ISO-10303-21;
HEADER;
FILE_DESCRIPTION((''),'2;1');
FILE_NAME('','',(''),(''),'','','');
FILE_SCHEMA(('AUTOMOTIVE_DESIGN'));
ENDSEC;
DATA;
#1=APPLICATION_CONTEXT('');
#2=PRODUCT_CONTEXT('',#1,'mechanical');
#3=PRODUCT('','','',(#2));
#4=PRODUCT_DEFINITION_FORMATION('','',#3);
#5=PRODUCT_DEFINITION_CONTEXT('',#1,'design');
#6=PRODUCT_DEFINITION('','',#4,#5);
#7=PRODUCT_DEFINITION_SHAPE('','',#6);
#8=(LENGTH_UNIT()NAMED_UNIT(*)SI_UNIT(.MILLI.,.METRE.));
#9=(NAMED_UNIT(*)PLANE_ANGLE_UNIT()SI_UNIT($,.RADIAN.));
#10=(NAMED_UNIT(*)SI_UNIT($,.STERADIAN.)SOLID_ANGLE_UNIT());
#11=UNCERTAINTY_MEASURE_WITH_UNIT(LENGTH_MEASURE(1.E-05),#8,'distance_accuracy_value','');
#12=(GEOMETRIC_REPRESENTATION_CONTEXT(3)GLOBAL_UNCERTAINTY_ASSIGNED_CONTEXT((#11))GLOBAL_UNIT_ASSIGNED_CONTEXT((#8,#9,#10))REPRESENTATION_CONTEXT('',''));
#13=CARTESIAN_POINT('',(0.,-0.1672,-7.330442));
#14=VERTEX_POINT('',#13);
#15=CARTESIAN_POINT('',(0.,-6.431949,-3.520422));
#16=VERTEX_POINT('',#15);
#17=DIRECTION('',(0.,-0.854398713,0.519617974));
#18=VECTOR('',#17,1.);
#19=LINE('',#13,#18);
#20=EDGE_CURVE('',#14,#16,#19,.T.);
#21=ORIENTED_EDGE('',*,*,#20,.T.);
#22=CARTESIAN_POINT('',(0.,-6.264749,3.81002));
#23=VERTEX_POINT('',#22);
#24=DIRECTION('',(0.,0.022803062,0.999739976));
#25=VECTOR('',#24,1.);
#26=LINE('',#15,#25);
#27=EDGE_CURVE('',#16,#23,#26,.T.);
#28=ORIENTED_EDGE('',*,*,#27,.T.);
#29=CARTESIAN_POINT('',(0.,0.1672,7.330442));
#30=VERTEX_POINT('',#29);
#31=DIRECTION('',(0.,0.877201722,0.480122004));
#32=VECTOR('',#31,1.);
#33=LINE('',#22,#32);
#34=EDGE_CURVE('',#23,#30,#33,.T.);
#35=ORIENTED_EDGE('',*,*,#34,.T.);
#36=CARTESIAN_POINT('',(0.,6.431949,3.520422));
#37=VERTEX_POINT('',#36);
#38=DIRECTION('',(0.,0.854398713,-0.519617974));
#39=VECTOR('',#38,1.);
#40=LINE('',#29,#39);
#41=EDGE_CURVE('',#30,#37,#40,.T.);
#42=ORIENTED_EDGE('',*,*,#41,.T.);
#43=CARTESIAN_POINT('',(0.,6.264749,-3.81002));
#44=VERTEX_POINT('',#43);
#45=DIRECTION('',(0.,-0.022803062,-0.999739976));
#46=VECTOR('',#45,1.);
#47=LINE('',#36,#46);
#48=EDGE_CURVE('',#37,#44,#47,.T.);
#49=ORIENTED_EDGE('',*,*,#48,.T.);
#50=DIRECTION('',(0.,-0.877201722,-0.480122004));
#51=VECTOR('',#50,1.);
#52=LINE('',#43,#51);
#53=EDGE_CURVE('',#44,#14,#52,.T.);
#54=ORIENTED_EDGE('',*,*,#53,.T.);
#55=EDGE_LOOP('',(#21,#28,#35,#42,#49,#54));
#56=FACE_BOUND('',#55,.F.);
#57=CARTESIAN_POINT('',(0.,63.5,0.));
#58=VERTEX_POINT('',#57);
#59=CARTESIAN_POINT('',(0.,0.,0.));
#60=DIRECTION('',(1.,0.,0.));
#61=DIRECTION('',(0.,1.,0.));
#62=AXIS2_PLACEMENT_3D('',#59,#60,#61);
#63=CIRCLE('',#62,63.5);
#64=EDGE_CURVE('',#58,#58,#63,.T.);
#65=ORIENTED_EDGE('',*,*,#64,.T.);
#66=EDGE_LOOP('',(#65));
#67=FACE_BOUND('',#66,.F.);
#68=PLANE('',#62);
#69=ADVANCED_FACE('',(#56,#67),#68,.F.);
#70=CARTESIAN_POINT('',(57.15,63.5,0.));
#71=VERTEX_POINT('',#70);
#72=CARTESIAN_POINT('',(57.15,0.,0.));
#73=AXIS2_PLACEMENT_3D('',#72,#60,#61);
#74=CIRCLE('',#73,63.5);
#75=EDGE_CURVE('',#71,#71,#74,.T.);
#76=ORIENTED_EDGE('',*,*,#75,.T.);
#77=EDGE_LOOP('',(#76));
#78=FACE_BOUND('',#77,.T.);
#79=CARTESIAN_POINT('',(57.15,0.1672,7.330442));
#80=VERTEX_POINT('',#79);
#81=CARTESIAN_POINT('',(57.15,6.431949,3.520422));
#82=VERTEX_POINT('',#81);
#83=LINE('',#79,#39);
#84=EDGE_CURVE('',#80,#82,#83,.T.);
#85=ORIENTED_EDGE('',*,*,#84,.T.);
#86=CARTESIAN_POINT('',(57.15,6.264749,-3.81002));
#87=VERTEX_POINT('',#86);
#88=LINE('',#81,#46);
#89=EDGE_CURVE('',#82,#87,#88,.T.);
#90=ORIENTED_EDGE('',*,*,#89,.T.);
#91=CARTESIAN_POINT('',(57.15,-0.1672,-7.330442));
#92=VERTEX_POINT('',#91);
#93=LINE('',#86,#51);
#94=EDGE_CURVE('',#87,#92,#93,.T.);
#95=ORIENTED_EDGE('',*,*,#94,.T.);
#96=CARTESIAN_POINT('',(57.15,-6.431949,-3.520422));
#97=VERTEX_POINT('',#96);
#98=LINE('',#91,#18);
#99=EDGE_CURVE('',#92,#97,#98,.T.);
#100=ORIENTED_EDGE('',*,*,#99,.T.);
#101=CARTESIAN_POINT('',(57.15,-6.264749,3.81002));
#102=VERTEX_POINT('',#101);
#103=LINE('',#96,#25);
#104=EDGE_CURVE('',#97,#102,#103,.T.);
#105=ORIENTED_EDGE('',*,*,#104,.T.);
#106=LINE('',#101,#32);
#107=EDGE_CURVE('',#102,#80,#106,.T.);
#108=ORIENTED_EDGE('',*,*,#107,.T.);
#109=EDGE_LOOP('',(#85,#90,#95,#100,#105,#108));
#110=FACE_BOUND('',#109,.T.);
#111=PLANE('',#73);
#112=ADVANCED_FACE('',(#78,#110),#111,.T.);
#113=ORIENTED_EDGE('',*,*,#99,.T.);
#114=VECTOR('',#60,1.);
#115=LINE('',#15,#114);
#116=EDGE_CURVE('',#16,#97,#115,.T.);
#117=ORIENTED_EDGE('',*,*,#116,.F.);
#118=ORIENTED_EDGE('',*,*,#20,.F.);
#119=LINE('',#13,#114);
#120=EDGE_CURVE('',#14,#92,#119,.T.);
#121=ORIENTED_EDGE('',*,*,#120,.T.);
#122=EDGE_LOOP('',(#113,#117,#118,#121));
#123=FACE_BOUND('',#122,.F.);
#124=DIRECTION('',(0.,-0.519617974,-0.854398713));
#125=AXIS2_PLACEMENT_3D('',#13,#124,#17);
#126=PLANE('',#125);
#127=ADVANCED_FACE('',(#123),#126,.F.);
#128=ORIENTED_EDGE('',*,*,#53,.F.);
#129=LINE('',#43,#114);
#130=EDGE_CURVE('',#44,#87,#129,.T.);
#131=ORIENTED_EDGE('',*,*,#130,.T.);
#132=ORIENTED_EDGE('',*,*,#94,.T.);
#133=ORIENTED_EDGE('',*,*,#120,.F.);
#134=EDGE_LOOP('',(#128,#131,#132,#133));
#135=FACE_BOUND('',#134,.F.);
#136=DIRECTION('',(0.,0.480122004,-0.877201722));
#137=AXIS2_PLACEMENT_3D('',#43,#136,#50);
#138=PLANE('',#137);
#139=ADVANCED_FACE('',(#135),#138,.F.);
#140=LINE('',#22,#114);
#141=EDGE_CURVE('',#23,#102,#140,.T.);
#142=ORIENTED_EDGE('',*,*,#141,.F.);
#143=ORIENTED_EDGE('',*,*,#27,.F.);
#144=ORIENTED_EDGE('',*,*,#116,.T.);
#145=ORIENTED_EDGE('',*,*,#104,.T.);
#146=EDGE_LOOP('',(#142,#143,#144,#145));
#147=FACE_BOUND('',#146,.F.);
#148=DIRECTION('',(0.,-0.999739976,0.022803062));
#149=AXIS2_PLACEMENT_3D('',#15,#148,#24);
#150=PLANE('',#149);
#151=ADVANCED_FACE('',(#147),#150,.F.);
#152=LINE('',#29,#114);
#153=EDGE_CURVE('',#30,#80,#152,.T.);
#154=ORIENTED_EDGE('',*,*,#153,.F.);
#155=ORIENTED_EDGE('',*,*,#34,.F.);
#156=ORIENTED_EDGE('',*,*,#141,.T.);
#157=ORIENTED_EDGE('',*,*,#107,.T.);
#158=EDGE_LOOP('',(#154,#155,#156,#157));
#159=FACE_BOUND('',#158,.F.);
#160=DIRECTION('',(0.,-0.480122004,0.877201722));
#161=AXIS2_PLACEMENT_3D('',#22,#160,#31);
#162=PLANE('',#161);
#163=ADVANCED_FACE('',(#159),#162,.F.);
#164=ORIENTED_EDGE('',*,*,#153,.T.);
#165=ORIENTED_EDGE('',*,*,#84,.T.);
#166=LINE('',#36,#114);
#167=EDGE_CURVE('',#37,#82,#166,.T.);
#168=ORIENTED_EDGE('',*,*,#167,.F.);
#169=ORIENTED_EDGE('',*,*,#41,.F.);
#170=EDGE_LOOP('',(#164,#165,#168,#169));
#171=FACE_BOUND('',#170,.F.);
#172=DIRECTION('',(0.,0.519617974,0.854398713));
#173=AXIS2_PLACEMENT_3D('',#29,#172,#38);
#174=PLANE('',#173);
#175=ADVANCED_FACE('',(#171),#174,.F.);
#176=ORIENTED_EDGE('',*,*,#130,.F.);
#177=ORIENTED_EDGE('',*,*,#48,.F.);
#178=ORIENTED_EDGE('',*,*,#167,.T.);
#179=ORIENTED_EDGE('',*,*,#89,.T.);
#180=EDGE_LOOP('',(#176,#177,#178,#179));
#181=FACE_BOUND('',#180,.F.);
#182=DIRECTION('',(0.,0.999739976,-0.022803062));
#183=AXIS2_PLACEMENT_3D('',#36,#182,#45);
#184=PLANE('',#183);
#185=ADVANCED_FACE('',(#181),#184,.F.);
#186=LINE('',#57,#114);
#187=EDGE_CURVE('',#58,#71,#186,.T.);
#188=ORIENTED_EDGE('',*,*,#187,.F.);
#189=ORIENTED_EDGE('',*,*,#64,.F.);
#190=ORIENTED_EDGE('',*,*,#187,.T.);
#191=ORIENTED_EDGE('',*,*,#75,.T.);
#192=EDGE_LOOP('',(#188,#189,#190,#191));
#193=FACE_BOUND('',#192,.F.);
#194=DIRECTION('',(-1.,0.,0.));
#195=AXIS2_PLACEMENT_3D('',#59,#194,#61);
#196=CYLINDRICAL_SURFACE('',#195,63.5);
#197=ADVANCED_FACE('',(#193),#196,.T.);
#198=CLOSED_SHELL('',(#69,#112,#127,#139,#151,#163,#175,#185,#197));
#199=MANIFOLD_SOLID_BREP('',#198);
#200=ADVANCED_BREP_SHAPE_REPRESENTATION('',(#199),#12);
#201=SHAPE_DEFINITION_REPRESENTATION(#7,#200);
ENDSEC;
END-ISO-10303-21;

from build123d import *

# Parameters (mm, degrees)
F0_R     = 63.5
F1_DEPTH = 57.15


with BuildPart() as f1:
    # F0 (on Right) → F1 (new body)
    with BuildSketch(Plane.YZ):
        Circle(F0_R)
        Polygon((-6.264749, 3.81002), (0.1672, 7.330442), (6.431949, 3.520422), (6.264749, -3.81002), (-0.1672, -7.330442), (-6.431949, -3.520422), align=None, mode=Mode.SUBTRACT)
    extrude(amount=F1_DEPTH)


solid = f1.part
